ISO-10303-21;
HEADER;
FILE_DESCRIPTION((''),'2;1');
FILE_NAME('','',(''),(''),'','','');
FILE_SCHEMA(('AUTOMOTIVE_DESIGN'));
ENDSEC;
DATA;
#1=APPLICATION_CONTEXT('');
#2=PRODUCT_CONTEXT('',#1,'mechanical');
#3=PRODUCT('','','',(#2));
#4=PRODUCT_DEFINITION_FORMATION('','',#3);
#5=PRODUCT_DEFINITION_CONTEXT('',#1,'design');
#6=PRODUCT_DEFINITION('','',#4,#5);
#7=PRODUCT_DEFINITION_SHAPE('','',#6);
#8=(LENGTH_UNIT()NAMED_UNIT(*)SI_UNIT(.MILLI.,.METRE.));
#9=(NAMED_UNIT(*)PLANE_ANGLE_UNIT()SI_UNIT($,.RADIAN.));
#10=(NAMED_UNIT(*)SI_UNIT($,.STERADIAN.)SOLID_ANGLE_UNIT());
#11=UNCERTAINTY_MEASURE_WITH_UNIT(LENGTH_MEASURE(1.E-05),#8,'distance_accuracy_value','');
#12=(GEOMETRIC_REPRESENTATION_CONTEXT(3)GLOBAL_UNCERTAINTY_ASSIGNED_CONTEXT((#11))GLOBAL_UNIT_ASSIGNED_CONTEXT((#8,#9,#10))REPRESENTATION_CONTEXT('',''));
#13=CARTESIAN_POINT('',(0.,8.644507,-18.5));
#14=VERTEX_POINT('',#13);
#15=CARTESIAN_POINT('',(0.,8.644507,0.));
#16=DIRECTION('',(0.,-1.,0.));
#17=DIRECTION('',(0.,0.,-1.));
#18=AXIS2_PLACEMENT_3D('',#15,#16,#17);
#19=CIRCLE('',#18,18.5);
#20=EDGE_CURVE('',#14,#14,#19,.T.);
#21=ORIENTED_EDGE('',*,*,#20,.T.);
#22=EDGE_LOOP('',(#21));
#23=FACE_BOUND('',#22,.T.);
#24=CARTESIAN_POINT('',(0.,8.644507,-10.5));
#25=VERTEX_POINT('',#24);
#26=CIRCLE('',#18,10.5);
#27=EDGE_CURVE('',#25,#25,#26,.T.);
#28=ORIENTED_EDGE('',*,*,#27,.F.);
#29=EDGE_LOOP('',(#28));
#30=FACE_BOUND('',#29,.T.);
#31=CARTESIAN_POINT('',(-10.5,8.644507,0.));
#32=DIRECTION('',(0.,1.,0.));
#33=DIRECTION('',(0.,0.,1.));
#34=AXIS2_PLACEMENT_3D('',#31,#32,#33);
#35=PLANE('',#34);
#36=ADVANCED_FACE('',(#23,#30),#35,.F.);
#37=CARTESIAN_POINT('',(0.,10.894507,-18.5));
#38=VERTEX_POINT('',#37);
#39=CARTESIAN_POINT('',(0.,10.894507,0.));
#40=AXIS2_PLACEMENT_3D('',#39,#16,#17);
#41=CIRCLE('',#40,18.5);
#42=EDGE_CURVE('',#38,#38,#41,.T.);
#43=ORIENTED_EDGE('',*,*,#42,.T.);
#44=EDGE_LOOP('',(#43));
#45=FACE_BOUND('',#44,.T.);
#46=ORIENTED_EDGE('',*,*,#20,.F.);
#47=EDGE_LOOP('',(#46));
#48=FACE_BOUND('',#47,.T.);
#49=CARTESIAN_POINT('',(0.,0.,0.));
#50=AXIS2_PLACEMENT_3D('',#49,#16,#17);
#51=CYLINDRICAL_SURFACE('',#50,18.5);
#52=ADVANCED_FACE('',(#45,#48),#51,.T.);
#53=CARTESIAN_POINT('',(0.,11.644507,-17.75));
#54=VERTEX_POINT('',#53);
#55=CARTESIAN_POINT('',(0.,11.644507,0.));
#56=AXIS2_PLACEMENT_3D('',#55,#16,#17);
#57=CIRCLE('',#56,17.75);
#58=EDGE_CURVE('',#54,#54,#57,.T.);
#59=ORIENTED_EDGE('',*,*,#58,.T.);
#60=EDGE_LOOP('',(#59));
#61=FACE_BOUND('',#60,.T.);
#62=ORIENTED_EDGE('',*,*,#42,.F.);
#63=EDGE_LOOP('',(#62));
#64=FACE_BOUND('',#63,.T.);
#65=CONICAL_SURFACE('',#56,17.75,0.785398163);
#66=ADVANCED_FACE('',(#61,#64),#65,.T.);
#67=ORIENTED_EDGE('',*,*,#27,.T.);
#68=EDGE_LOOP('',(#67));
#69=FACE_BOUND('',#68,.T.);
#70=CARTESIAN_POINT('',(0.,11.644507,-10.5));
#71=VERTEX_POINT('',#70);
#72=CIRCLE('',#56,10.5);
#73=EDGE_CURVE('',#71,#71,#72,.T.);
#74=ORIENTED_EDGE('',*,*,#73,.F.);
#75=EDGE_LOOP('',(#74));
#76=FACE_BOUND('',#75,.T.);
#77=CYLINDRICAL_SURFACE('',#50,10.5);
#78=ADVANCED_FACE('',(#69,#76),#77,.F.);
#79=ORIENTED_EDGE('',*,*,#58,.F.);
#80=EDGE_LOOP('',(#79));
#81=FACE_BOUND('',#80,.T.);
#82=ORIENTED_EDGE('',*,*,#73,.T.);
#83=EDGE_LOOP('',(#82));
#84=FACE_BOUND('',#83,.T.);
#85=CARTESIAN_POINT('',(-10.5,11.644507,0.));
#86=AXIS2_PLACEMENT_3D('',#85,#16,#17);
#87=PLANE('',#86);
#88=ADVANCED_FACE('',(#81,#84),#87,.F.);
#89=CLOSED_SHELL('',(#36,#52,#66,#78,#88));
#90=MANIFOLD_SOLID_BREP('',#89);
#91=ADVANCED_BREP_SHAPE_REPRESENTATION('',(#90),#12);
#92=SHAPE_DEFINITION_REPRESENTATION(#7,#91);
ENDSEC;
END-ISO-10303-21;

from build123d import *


with BuildPart() as part:
    # 草图1 → Revolve 484 (revolve)
    with BuildSketch(Plane.XY, mode=Mode.PRIVATE) as revolve_484_sk:
        Polygon((-17.75, 11.644507042), (-18.5, 10.894507042), (-18.5, 8.644507042), (-10.5, 8.644507042), (-10.5, 11.644507042), align=None)
    revolve(revolve_484_sk.sketch.rotate(Axis((0, 0, 0), (0, 1, 0)), 270), axis=Axis((0, 0, 0), (0, 1, 0)))


solid = part.part
